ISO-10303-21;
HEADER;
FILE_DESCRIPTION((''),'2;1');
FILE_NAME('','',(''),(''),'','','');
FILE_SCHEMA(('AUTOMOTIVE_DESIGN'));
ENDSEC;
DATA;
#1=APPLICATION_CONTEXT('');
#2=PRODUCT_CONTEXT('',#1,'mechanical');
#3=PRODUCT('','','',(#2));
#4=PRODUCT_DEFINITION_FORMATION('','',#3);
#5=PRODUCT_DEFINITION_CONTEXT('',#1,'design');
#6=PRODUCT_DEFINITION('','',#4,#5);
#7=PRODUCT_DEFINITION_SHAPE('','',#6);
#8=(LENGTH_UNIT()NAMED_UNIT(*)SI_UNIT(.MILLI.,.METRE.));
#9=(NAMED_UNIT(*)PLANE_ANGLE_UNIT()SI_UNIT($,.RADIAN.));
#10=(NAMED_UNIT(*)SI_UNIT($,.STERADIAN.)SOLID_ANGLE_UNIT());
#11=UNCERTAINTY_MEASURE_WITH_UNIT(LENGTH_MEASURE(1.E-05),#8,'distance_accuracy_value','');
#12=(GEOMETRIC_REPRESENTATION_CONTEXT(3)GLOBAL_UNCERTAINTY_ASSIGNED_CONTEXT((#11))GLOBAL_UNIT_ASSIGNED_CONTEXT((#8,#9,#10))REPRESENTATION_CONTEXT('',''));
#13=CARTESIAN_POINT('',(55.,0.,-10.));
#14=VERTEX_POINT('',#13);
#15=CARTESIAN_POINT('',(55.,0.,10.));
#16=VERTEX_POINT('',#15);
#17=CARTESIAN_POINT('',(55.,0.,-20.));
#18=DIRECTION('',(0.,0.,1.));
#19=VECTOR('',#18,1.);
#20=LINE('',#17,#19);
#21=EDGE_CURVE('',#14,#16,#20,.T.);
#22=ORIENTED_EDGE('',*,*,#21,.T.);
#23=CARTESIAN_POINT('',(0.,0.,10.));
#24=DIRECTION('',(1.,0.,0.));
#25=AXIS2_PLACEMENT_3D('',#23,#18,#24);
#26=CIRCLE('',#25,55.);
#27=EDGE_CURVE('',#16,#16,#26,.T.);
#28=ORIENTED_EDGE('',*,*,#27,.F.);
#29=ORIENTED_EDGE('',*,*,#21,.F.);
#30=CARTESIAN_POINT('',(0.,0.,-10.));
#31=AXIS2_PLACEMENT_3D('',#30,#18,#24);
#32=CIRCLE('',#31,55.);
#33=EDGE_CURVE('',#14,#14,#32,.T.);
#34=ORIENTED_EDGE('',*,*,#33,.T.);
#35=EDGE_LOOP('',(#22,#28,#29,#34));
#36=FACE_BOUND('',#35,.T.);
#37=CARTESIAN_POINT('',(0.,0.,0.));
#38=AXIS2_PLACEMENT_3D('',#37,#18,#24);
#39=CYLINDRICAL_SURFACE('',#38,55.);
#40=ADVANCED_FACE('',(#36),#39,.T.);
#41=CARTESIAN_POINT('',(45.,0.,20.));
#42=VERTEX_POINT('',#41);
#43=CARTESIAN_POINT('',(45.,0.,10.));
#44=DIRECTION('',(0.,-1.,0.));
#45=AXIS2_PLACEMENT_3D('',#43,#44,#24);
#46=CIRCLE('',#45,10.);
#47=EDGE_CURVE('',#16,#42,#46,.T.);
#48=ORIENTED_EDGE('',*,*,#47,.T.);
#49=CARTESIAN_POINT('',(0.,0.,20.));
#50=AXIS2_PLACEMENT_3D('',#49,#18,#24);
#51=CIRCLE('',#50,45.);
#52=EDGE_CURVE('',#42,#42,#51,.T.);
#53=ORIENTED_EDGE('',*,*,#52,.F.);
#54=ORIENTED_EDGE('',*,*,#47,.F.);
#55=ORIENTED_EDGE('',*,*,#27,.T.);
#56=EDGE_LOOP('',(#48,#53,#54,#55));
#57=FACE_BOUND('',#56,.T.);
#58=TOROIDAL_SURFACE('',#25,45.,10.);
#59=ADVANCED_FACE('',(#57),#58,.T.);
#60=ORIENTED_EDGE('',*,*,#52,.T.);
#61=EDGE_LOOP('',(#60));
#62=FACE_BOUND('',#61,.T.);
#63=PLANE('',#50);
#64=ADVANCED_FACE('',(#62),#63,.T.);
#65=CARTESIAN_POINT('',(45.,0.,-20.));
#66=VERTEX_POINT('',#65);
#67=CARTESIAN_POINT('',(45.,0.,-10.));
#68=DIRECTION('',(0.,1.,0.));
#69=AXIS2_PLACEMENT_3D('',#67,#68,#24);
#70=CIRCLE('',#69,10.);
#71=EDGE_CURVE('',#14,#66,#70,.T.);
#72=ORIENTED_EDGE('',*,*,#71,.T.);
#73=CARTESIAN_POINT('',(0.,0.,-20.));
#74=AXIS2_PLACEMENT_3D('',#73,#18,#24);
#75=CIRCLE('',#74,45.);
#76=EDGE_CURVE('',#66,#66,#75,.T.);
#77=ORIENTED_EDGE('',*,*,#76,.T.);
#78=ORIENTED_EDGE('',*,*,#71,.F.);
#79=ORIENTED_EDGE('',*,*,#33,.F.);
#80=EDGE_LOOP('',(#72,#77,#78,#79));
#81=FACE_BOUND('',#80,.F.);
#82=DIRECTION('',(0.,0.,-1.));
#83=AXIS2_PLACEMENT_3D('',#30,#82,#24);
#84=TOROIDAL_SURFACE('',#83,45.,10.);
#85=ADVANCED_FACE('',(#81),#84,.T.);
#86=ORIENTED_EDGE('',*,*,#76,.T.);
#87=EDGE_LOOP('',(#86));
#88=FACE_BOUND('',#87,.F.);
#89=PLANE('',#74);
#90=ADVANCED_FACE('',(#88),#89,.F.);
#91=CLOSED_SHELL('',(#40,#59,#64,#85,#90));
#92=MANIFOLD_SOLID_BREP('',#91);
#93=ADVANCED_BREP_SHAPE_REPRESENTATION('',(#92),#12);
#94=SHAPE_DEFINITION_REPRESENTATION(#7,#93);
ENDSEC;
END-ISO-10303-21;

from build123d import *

# Parameters (mm, degrees)
F0_R          = 55
F1_DEPTH      = 20
F1_DEPTH_BACK = 20
F2_R          = 10


with BuildPart() as f1:
    # F0 (on Top) → F1 (new body, two sides)
    with BuildSketch(Plane.XY) as f1_sk:
        Circle(F0_R)
    extrude(amount=F1_DEPTH)
    extrude(f1_sk.sketch, amount=-F1_DEPTH_BACK)

    # F2
    f2_edges = [f1.edges().sort_by_distance(p)[0] for p in [
        (-55, 0, -20),
        (-55, 0, 20),
    ]]
    fillet(f2_edges, radius=F2_R)


solid = f1.part
